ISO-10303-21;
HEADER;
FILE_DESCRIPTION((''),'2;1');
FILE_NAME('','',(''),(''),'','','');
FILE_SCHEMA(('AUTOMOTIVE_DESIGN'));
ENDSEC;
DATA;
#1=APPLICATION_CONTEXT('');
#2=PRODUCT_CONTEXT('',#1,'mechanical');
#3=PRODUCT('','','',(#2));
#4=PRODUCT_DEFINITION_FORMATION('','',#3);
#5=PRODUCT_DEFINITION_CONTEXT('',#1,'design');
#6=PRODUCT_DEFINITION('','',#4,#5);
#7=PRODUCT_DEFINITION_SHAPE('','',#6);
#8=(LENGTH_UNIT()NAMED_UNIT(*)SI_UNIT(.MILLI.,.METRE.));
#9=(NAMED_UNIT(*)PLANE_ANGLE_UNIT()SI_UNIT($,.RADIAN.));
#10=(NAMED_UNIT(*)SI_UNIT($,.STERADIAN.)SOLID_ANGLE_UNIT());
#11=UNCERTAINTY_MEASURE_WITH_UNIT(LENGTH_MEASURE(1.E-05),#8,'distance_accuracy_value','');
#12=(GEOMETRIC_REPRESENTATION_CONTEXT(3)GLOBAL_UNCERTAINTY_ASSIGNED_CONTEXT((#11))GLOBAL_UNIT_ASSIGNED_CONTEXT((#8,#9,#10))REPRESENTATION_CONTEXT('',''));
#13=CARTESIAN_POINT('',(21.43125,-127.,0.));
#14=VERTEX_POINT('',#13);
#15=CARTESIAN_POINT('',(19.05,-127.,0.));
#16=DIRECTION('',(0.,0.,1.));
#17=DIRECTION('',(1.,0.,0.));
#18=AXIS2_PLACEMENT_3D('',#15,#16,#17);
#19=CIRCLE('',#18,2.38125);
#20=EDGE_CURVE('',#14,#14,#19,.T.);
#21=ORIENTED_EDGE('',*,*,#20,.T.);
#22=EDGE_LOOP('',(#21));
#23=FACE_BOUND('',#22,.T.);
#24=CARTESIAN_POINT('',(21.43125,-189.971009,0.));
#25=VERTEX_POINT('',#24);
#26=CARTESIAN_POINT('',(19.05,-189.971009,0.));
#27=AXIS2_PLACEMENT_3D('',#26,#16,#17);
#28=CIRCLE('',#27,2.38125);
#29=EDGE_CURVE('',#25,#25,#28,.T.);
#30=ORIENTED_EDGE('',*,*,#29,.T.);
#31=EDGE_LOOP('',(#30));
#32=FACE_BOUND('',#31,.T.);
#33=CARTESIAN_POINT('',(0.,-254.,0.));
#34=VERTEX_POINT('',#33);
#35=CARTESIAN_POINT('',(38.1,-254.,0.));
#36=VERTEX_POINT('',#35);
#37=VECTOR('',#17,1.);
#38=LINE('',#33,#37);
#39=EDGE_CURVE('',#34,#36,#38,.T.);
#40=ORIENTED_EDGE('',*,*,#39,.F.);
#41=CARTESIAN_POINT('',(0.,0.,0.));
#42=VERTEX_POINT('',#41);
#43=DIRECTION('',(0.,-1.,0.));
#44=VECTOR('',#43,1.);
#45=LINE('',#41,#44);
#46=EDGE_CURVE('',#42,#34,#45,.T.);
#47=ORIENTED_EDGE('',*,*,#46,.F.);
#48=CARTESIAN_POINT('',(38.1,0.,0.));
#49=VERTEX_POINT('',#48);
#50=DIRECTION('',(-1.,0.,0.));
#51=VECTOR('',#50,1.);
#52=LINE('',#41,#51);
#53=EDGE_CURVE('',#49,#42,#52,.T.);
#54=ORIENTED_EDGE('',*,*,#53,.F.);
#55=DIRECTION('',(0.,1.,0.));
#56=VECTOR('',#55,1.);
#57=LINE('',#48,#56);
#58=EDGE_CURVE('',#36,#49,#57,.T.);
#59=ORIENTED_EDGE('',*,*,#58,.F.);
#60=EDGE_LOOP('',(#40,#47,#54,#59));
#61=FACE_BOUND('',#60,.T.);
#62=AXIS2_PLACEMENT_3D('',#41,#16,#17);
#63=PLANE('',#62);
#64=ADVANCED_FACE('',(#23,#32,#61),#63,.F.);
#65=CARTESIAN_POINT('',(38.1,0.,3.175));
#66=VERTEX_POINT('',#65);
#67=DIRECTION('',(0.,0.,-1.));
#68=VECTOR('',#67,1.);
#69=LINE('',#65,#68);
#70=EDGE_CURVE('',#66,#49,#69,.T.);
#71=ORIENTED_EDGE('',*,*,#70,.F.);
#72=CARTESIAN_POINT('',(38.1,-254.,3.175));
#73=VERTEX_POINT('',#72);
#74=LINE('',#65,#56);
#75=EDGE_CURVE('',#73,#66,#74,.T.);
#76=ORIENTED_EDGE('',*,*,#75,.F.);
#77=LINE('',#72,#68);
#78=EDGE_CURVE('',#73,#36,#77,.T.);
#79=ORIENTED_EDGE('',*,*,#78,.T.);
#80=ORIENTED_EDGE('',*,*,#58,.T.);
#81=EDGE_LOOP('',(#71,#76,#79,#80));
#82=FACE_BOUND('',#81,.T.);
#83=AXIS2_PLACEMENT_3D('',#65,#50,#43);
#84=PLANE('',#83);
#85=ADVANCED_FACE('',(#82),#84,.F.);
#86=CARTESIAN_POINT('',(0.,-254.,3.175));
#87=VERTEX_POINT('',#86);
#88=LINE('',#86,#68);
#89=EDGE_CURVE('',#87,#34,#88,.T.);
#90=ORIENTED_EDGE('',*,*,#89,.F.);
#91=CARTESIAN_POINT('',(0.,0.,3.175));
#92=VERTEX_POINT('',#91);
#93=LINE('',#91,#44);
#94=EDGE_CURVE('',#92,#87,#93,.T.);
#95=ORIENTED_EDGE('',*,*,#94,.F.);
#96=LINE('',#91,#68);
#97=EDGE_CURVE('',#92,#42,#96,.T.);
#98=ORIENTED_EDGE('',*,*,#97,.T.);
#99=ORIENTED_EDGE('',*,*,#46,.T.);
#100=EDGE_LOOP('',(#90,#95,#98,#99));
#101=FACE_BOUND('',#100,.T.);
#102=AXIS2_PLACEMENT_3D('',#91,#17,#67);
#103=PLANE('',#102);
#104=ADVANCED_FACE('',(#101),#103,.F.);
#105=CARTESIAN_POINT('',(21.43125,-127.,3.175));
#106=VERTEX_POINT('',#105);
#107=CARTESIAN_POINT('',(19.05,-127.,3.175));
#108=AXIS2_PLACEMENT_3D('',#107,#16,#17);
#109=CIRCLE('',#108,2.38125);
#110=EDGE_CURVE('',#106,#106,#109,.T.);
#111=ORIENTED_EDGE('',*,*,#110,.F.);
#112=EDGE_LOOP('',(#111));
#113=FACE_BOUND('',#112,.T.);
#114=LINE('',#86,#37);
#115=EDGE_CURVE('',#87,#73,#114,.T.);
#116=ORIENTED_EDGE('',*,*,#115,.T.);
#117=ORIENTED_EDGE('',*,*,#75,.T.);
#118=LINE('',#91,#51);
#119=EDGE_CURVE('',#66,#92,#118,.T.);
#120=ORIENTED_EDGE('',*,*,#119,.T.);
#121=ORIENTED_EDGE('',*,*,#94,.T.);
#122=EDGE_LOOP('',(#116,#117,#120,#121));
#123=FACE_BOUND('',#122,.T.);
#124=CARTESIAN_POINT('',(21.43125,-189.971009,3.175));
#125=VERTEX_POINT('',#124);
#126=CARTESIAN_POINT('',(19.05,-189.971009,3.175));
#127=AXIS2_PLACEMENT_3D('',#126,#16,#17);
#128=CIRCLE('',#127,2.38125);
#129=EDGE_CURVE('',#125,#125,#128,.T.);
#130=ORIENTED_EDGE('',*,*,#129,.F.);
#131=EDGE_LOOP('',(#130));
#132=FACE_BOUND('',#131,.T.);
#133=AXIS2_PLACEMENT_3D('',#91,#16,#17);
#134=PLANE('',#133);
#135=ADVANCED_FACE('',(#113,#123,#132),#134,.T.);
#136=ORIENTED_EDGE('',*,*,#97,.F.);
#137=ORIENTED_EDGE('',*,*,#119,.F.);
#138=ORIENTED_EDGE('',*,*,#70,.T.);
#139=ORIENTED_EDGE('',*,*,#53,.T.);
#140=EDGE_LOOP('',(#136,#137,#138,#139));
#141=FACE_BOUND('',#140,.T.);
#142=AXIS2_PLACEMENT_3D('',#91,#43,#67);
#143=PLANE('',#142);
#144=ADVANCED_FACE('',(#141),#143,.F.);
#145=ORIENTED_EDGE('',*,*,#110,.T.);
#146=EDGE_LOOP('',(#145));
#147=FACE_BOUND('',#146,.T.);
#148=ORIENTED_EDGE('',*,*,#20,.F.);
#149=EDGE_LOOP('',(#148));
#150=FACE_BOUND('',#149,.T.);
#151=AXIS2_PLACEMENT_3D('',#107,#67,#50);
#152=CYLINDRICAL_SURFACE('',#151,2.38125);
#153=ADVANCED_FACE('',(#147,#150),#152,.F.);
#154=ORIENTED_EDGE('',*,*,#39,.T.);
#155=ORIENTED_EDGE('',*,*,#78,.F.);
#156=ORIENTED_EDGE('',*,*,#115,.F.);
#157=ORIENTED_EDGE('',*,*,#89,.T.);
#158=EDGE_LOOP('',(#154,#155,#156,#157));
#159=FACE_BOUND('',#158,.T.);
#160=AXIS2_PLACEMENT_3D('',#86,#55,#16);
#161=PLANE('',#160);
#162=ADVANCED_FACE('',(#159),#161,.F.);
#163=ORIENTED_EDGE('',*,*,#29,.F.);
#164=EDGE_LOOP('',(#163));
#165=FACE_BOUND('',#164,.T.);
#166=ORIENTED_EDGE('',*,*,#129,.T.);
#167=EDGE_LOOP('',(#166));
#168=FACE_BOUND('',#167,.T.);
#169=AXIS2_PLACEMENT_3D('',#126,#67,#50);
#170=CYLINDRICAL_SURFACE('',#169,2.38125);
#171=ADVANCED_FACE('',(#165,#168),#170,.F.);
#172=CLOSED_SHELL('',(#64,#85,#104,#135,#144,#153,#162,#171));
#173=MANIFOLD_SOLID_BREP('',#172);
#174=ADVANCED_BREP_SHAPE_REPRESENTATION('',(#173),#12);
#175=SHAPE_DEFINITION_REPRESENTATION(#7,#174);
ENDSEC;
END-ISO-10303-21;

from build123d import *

# Parameters (mm, degrees)
SKETCH1_W           = 38.1
SKETCH1_H           = 254
SKETCH1_R           = 2.38125
BOSS_EXTRUDE1_DEPTH = 3.175


with BuildPart() as part:
    # Sketch1 → Boss-Extrude1 (new body)
    with BuildSketch(Plane.XY):
        with Locations((19.05, -127)):
            Rectangle(SKETCH1_W, SKETCH1_H)
        with Locations((19.05, -127)):
            Circle(SKETCH1_R, mode=Mode.SUBTRACT)
        with Locations((19.05, -189.971009211)):
            Circle(SKETCH1_R, mode=Mode.SUBTRACT)
    extrude(amount=BOSS_EXTRUDE1_DEPTH)


solid = part.part
